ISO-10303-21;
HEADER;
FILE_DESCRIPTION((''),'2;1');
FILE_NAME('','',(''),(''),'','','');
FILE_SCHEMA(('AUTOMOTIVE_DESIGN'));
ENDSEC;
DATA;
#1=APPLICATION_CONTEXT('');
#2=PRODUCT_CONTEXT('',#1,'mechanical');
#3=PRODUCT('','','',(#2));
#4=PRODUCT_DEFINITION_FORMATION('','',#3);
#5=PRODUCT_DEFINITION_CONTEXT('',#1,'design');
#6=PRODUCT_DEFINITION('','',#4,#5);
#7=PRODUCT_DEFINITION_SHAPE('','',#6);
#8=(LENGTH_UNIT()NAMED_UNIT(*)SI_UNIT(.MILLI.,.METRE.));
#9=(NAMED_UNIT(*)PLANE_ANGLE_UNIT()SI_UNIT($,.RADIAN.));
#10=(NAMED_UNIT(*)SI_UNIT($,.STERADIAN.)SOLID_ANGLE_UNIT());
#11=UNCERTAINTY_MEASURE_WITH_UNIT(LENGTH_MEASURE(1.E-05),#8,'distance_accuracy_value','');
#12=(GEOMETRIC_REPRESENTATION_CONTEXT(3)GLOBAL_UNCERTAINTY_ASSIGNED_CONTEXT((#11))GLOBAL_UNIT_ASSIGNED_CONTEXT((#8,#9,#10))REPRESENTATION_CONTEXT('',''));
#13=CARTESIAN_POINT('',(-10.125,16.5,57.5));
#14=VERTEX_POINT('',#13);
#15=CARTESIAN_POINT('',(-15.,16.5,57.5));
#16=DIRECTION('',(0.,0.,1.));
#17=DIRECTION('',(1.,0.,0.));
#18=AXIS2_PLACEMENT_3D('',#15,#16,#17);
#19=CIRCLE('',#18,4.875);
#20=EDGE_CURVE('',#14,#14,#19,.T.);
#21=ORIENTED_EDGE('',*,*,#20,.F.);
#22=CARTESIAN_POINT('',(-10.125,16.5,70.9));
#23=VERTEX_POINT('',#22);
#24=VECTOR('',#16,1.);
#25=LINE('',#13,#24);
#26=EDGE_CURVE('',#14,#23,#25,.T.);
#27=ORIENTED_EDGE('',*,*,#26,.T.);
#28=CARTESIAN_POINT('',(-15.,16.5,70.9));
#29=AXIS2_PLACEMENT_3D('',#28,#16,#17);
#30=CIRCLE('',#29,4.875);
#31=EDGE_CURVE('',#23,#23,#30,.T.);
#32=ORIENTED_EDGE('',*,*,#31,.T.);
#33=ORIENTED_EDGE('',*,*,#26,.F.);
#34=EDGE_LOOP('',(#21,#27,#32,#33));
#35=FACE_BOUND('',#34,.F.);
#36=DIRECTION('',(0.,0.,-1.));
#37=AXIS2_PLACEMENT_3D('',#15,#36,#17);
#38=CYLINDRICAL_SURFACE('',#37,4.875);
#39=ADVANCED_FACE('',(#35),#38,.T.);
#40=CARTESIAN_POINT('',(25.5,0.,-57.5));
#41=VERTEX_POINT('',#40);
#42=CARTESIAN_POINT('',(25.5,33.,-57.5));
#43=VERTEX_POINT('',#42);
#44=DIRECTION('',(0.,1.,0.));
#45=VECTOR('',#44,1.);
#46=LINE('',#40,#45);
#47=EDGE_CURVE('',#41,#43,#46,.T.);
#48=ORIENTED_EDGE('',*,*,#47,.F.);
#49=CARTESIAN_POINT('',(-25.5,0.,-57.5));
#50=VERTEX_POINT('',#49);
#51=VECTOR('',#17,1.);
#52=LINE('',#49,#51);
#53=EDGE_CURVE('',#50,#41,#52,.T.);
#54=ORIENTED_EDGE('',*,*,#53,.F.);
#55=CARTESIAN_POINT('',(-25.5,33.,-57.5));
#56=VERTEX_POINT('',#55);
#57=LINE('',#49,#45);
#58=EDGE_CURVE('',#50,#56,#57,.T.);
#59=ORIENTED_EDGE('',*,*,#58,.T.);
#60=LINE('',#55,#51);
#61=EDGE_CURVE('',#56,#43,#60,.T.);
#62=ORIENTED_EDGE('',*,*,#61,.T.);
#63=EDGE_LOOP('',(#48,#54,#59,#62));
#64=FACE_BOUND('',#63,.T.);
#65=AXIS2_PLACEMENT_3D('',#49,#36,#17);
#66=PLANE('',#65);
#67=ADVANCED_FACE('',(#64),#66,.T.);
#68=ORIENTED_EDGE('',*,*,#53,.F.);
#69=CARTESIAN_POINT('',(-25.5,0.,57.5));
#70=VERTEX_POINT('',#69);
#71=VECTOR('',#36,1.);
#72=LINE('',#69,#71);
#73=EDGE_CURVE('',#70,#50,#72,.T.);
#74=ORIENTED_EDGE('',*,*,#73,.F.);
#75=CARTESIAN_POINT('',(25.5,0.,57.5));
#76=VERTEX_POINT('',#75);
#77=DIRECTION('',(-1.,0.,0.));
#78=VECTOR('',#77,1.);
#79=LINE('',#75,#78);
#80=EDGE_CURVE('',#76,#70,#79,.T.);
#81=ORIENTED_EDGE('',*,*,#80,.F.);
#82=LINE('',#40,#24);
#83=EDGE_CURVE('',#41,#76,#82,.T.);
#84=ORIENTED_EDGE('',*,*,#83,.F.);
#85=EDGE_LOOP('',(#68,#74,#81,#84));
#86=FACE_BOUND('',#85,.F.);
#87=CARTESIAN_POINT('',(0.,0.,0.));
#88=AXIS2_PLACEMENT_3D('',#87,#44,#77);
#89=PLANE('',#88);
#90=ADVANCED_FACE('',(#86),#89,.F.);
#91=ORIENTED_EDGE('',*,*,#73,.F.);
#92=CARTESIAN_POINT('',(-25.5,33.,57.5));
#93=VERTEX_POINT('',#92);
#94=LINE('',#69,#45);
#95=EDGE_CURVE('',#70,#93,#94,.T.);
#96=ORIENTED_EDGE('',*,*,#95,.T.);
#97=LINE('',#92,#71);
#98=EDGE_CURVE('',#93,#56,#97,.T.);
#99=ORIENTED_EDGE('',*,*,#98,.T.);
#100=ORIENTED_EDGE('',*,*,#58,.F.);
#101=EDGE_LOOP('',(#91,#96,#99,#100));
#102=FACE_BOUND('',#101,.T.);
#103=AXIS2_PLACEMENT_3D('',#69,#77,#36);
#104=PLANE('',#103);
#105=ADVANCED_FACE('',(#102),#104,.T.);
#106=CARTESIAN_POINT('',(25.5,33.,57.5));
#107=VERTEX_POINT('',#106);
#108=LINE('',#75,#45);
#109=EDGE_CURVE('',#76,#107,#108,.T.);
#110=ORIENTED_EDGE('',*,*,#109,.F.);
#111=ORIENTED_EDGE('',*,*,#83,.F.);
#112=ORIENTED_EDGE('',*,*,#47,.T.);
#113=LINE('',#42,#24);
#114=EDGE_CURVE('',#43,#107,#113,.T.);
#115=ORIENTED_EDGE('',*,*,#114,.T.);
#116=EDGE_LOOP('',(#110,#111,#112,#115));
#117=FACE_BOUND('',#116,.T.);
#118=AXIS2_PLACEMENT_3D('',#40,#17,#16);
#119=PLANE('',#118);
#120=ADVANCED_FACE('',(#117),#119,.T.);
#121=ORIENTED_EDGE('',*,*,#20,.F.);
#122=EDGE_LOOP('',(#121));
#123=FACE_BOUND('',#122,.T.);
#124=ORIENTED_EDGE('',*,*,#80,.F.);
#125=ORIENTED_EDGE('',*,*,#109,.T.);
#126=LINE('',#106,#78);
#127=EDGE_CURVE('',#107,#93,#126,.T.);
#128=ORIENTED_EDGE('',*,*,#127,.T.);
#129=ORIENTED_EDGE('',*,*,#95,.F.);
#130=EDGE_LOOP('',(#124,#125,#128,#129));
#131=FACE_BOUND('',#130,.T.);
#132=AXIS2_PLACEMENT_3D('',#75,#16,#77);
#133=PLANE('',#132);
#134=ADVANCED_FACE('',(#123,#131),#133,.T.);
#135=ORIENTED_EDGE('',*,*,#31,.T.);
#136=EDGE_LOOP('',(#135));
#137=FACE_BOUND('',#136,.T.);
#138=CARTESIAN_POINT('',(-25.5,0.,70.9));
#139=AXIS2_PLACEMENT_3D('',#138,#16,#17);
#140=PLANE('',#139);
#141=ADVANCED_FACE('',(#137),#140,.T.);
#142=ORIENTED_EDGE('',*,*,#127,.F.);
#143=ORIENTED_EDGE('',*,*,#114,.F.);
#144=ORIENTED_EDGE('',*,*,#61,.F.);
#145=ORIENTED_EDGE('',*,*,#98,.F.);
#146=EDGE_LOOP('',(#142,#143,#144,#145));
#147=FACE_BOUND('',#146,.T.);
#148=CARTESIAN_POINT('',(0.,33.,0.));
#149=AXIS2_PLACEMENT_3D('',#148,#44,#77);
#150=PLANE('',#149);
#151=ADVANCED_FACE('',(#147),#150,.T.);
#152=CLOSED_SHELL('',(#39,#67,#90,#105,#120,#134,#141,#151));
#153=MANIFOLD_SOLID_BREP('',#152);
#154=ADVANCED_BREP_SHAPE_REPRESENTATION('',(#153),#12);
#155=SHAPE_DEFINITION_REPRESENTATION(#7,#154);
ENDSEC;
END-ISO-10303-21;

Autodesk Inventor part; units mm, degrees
ref_plane "YZ Plane" through (0, 0, 0) normal (1, 0, 0) x (0, 1, 0)
ref_plane "XZ Plane" through (0, 0, 0) normal (0, 1, 0) x (-1, 0, 0)
ref_plane "XY Plane" through (0, 0, 0) normal (0, 0, 1) x (1, 0, 0)
sketch "Sketch1" plane through (0, 0, 0) normal (0, 1, 0) x (-1, 0, 0)
  line L0 (-25.5, 57.5) -> (25.5, 57.5)
  line L1 (25.5, 57.5) -> (25.5, -57.5)
  line L2 (25.5, -57.5) -> (-25.5, -57.5)
  line L3 (-25.5, -57.5) -> (-25.5, 57.5)
  line L4 (-25.5, 57.5) -> (25.5, -57.5) construction
  line L5 (25.5, 57.5) -> (-25.5, -57.5) construction
  point P0 (0, 0)
  dimension "d0" = 51
  dimension "d1" = 115
extrude "Extrusion1" add sketch "Sketch1" along normal blind 33
sketch "Sketch2" plane through (-25.5, 0, 57.5) normal (0, 0, 1) x (1, 0, 0)
  circle A0 centre (10.5, 16.5) radius 4.875
  line L0 (0, 0) -> (0, 33) projected
  point P0 (25.5, 0)
  point P1 (0, 16.5)
  dimension "d4" = 10.5
  dimension "d5" = 9.75
extrude "Extrusion2" add sketch "Sketch2" along normal blind 13.4
properties part number "Power brick"
